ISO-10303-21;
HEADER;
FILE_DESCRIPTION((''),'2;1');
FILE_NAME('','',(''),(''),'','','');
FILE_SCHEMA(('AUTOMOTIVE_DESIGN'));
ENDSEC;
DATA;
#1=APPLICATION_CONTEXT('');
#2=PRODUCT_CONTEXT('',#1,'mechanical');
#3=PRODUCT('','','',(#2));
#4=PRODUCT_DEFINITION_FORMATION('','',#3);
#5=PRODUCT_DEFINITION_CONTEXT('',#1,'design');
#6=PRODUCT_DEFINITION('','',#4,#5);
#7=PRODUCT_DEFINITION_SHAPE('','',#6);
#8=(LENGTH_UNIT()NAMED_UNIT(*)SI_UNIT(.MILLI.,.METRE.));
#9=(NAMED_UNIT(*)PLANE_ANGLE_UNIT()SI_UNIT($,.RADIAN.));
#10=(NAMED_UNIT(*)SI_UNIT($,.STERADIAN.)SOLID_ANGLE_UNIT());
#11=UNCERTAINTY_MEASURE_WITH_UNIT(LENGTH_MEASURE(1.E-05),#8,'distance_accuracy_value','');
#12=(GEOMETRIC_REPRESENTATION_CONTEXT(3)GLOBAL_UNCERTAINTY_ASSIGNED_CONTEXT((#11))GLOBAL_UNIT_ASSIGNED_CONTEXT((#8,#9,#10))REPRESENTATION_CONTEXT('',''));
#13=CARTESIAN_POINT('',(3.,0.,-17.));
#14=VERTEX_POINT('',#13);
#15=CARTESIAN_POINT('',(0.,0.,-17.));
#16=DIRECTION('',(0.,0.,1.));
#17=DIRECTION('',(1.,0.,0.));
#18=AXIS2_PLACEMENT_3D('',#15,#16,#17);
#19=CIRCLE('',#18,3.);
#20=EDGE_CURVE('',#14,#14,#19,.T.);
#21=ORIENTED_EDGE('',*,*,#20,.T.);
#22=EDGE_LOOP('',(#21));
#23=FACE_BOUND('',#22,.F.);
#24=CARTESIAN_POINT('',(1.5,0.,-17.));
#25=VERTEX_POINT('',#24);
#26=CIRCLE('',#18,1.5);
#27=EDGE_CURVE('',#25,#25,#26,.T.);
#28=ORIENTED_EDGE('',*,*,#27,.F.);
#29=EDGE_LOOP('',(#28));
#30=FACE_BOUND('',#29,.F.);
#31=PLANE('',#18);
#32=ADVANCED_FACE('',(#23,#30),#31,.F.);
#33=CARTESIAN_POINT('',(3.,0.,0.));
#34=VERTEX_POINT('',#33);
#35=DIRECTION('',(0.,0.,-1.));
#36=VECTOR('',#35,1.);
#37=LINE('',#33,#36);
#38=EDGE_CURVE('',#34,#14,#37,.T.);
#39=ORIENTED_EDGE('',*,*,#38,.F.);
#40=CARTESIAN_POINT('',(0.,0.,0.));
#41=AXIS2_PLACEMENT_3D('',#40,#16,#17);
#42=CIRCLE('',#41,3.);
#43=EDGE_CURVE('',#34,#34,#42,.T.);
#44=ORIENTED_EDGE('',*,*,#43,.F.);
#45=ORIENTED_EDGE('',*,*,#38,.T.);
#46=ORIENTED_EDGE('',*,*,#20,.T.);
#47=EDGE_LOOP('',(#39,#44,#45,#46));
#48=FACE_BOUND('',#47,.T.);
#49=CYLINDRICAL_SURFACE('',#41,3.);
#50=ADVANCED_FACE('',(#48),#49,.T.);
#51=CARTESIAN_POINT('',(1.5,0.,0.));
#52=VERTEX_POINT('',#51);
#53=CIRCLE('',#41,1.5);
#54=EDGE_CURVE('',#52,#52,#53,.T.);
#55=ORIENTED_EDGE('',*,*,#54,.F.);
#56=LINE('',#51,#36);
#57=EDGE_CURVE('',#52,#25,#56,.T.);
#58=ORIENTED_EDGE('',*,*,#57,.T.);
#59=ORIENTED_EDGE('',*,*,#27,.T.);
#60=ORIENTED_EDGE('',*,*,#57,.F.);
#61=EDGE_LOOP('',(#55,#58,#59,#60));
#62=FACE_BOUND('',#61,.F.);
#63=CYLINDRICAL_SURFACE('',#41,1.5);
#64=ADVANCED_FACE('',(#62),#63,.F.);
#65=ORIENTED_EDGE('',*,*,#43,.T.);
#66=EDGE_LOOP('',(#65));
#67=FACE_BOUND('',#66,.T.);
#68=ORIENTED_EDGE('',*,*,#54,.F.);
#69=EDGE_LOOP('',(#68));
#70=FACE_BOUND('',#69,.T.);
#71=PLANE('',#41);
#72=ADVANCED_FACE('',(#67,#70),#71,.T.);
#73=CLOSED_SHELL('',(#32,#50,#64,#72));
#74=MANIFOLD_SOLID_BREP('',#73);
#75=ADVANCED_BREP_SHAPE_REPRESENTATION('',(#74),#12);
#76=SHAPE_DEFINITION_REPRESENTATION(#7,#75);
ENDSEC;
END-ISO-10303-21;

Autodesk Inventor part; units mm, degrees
ref_plane "YZ Plane" through (0, 0, 0) normal (1, 0, 0) x (0, 1, 0)
ref_plane "XZ Plane" through (0, 0, 0) normal (0, 1, 0) x (-1, 0, 0)
ref_plane "XY Plane" through (0, 0, 0) normal (0, 0, 1) x (1, 0, 0)
sketch "Sketch1" plane through (0, 0, 0) normal (0, 0, 1) x (1, 0, 0)
  circle A0 centre (0, 0) radius 1.5
  circle A1 centre (0, 0) radius 3
  dimension "d0" = 3
  dimension "d1" = 6
extrude "Extrusion1" add sketch "Sketch1" against normal blind 17
properties part number "l18" material "Aluminum 2014-T4"
